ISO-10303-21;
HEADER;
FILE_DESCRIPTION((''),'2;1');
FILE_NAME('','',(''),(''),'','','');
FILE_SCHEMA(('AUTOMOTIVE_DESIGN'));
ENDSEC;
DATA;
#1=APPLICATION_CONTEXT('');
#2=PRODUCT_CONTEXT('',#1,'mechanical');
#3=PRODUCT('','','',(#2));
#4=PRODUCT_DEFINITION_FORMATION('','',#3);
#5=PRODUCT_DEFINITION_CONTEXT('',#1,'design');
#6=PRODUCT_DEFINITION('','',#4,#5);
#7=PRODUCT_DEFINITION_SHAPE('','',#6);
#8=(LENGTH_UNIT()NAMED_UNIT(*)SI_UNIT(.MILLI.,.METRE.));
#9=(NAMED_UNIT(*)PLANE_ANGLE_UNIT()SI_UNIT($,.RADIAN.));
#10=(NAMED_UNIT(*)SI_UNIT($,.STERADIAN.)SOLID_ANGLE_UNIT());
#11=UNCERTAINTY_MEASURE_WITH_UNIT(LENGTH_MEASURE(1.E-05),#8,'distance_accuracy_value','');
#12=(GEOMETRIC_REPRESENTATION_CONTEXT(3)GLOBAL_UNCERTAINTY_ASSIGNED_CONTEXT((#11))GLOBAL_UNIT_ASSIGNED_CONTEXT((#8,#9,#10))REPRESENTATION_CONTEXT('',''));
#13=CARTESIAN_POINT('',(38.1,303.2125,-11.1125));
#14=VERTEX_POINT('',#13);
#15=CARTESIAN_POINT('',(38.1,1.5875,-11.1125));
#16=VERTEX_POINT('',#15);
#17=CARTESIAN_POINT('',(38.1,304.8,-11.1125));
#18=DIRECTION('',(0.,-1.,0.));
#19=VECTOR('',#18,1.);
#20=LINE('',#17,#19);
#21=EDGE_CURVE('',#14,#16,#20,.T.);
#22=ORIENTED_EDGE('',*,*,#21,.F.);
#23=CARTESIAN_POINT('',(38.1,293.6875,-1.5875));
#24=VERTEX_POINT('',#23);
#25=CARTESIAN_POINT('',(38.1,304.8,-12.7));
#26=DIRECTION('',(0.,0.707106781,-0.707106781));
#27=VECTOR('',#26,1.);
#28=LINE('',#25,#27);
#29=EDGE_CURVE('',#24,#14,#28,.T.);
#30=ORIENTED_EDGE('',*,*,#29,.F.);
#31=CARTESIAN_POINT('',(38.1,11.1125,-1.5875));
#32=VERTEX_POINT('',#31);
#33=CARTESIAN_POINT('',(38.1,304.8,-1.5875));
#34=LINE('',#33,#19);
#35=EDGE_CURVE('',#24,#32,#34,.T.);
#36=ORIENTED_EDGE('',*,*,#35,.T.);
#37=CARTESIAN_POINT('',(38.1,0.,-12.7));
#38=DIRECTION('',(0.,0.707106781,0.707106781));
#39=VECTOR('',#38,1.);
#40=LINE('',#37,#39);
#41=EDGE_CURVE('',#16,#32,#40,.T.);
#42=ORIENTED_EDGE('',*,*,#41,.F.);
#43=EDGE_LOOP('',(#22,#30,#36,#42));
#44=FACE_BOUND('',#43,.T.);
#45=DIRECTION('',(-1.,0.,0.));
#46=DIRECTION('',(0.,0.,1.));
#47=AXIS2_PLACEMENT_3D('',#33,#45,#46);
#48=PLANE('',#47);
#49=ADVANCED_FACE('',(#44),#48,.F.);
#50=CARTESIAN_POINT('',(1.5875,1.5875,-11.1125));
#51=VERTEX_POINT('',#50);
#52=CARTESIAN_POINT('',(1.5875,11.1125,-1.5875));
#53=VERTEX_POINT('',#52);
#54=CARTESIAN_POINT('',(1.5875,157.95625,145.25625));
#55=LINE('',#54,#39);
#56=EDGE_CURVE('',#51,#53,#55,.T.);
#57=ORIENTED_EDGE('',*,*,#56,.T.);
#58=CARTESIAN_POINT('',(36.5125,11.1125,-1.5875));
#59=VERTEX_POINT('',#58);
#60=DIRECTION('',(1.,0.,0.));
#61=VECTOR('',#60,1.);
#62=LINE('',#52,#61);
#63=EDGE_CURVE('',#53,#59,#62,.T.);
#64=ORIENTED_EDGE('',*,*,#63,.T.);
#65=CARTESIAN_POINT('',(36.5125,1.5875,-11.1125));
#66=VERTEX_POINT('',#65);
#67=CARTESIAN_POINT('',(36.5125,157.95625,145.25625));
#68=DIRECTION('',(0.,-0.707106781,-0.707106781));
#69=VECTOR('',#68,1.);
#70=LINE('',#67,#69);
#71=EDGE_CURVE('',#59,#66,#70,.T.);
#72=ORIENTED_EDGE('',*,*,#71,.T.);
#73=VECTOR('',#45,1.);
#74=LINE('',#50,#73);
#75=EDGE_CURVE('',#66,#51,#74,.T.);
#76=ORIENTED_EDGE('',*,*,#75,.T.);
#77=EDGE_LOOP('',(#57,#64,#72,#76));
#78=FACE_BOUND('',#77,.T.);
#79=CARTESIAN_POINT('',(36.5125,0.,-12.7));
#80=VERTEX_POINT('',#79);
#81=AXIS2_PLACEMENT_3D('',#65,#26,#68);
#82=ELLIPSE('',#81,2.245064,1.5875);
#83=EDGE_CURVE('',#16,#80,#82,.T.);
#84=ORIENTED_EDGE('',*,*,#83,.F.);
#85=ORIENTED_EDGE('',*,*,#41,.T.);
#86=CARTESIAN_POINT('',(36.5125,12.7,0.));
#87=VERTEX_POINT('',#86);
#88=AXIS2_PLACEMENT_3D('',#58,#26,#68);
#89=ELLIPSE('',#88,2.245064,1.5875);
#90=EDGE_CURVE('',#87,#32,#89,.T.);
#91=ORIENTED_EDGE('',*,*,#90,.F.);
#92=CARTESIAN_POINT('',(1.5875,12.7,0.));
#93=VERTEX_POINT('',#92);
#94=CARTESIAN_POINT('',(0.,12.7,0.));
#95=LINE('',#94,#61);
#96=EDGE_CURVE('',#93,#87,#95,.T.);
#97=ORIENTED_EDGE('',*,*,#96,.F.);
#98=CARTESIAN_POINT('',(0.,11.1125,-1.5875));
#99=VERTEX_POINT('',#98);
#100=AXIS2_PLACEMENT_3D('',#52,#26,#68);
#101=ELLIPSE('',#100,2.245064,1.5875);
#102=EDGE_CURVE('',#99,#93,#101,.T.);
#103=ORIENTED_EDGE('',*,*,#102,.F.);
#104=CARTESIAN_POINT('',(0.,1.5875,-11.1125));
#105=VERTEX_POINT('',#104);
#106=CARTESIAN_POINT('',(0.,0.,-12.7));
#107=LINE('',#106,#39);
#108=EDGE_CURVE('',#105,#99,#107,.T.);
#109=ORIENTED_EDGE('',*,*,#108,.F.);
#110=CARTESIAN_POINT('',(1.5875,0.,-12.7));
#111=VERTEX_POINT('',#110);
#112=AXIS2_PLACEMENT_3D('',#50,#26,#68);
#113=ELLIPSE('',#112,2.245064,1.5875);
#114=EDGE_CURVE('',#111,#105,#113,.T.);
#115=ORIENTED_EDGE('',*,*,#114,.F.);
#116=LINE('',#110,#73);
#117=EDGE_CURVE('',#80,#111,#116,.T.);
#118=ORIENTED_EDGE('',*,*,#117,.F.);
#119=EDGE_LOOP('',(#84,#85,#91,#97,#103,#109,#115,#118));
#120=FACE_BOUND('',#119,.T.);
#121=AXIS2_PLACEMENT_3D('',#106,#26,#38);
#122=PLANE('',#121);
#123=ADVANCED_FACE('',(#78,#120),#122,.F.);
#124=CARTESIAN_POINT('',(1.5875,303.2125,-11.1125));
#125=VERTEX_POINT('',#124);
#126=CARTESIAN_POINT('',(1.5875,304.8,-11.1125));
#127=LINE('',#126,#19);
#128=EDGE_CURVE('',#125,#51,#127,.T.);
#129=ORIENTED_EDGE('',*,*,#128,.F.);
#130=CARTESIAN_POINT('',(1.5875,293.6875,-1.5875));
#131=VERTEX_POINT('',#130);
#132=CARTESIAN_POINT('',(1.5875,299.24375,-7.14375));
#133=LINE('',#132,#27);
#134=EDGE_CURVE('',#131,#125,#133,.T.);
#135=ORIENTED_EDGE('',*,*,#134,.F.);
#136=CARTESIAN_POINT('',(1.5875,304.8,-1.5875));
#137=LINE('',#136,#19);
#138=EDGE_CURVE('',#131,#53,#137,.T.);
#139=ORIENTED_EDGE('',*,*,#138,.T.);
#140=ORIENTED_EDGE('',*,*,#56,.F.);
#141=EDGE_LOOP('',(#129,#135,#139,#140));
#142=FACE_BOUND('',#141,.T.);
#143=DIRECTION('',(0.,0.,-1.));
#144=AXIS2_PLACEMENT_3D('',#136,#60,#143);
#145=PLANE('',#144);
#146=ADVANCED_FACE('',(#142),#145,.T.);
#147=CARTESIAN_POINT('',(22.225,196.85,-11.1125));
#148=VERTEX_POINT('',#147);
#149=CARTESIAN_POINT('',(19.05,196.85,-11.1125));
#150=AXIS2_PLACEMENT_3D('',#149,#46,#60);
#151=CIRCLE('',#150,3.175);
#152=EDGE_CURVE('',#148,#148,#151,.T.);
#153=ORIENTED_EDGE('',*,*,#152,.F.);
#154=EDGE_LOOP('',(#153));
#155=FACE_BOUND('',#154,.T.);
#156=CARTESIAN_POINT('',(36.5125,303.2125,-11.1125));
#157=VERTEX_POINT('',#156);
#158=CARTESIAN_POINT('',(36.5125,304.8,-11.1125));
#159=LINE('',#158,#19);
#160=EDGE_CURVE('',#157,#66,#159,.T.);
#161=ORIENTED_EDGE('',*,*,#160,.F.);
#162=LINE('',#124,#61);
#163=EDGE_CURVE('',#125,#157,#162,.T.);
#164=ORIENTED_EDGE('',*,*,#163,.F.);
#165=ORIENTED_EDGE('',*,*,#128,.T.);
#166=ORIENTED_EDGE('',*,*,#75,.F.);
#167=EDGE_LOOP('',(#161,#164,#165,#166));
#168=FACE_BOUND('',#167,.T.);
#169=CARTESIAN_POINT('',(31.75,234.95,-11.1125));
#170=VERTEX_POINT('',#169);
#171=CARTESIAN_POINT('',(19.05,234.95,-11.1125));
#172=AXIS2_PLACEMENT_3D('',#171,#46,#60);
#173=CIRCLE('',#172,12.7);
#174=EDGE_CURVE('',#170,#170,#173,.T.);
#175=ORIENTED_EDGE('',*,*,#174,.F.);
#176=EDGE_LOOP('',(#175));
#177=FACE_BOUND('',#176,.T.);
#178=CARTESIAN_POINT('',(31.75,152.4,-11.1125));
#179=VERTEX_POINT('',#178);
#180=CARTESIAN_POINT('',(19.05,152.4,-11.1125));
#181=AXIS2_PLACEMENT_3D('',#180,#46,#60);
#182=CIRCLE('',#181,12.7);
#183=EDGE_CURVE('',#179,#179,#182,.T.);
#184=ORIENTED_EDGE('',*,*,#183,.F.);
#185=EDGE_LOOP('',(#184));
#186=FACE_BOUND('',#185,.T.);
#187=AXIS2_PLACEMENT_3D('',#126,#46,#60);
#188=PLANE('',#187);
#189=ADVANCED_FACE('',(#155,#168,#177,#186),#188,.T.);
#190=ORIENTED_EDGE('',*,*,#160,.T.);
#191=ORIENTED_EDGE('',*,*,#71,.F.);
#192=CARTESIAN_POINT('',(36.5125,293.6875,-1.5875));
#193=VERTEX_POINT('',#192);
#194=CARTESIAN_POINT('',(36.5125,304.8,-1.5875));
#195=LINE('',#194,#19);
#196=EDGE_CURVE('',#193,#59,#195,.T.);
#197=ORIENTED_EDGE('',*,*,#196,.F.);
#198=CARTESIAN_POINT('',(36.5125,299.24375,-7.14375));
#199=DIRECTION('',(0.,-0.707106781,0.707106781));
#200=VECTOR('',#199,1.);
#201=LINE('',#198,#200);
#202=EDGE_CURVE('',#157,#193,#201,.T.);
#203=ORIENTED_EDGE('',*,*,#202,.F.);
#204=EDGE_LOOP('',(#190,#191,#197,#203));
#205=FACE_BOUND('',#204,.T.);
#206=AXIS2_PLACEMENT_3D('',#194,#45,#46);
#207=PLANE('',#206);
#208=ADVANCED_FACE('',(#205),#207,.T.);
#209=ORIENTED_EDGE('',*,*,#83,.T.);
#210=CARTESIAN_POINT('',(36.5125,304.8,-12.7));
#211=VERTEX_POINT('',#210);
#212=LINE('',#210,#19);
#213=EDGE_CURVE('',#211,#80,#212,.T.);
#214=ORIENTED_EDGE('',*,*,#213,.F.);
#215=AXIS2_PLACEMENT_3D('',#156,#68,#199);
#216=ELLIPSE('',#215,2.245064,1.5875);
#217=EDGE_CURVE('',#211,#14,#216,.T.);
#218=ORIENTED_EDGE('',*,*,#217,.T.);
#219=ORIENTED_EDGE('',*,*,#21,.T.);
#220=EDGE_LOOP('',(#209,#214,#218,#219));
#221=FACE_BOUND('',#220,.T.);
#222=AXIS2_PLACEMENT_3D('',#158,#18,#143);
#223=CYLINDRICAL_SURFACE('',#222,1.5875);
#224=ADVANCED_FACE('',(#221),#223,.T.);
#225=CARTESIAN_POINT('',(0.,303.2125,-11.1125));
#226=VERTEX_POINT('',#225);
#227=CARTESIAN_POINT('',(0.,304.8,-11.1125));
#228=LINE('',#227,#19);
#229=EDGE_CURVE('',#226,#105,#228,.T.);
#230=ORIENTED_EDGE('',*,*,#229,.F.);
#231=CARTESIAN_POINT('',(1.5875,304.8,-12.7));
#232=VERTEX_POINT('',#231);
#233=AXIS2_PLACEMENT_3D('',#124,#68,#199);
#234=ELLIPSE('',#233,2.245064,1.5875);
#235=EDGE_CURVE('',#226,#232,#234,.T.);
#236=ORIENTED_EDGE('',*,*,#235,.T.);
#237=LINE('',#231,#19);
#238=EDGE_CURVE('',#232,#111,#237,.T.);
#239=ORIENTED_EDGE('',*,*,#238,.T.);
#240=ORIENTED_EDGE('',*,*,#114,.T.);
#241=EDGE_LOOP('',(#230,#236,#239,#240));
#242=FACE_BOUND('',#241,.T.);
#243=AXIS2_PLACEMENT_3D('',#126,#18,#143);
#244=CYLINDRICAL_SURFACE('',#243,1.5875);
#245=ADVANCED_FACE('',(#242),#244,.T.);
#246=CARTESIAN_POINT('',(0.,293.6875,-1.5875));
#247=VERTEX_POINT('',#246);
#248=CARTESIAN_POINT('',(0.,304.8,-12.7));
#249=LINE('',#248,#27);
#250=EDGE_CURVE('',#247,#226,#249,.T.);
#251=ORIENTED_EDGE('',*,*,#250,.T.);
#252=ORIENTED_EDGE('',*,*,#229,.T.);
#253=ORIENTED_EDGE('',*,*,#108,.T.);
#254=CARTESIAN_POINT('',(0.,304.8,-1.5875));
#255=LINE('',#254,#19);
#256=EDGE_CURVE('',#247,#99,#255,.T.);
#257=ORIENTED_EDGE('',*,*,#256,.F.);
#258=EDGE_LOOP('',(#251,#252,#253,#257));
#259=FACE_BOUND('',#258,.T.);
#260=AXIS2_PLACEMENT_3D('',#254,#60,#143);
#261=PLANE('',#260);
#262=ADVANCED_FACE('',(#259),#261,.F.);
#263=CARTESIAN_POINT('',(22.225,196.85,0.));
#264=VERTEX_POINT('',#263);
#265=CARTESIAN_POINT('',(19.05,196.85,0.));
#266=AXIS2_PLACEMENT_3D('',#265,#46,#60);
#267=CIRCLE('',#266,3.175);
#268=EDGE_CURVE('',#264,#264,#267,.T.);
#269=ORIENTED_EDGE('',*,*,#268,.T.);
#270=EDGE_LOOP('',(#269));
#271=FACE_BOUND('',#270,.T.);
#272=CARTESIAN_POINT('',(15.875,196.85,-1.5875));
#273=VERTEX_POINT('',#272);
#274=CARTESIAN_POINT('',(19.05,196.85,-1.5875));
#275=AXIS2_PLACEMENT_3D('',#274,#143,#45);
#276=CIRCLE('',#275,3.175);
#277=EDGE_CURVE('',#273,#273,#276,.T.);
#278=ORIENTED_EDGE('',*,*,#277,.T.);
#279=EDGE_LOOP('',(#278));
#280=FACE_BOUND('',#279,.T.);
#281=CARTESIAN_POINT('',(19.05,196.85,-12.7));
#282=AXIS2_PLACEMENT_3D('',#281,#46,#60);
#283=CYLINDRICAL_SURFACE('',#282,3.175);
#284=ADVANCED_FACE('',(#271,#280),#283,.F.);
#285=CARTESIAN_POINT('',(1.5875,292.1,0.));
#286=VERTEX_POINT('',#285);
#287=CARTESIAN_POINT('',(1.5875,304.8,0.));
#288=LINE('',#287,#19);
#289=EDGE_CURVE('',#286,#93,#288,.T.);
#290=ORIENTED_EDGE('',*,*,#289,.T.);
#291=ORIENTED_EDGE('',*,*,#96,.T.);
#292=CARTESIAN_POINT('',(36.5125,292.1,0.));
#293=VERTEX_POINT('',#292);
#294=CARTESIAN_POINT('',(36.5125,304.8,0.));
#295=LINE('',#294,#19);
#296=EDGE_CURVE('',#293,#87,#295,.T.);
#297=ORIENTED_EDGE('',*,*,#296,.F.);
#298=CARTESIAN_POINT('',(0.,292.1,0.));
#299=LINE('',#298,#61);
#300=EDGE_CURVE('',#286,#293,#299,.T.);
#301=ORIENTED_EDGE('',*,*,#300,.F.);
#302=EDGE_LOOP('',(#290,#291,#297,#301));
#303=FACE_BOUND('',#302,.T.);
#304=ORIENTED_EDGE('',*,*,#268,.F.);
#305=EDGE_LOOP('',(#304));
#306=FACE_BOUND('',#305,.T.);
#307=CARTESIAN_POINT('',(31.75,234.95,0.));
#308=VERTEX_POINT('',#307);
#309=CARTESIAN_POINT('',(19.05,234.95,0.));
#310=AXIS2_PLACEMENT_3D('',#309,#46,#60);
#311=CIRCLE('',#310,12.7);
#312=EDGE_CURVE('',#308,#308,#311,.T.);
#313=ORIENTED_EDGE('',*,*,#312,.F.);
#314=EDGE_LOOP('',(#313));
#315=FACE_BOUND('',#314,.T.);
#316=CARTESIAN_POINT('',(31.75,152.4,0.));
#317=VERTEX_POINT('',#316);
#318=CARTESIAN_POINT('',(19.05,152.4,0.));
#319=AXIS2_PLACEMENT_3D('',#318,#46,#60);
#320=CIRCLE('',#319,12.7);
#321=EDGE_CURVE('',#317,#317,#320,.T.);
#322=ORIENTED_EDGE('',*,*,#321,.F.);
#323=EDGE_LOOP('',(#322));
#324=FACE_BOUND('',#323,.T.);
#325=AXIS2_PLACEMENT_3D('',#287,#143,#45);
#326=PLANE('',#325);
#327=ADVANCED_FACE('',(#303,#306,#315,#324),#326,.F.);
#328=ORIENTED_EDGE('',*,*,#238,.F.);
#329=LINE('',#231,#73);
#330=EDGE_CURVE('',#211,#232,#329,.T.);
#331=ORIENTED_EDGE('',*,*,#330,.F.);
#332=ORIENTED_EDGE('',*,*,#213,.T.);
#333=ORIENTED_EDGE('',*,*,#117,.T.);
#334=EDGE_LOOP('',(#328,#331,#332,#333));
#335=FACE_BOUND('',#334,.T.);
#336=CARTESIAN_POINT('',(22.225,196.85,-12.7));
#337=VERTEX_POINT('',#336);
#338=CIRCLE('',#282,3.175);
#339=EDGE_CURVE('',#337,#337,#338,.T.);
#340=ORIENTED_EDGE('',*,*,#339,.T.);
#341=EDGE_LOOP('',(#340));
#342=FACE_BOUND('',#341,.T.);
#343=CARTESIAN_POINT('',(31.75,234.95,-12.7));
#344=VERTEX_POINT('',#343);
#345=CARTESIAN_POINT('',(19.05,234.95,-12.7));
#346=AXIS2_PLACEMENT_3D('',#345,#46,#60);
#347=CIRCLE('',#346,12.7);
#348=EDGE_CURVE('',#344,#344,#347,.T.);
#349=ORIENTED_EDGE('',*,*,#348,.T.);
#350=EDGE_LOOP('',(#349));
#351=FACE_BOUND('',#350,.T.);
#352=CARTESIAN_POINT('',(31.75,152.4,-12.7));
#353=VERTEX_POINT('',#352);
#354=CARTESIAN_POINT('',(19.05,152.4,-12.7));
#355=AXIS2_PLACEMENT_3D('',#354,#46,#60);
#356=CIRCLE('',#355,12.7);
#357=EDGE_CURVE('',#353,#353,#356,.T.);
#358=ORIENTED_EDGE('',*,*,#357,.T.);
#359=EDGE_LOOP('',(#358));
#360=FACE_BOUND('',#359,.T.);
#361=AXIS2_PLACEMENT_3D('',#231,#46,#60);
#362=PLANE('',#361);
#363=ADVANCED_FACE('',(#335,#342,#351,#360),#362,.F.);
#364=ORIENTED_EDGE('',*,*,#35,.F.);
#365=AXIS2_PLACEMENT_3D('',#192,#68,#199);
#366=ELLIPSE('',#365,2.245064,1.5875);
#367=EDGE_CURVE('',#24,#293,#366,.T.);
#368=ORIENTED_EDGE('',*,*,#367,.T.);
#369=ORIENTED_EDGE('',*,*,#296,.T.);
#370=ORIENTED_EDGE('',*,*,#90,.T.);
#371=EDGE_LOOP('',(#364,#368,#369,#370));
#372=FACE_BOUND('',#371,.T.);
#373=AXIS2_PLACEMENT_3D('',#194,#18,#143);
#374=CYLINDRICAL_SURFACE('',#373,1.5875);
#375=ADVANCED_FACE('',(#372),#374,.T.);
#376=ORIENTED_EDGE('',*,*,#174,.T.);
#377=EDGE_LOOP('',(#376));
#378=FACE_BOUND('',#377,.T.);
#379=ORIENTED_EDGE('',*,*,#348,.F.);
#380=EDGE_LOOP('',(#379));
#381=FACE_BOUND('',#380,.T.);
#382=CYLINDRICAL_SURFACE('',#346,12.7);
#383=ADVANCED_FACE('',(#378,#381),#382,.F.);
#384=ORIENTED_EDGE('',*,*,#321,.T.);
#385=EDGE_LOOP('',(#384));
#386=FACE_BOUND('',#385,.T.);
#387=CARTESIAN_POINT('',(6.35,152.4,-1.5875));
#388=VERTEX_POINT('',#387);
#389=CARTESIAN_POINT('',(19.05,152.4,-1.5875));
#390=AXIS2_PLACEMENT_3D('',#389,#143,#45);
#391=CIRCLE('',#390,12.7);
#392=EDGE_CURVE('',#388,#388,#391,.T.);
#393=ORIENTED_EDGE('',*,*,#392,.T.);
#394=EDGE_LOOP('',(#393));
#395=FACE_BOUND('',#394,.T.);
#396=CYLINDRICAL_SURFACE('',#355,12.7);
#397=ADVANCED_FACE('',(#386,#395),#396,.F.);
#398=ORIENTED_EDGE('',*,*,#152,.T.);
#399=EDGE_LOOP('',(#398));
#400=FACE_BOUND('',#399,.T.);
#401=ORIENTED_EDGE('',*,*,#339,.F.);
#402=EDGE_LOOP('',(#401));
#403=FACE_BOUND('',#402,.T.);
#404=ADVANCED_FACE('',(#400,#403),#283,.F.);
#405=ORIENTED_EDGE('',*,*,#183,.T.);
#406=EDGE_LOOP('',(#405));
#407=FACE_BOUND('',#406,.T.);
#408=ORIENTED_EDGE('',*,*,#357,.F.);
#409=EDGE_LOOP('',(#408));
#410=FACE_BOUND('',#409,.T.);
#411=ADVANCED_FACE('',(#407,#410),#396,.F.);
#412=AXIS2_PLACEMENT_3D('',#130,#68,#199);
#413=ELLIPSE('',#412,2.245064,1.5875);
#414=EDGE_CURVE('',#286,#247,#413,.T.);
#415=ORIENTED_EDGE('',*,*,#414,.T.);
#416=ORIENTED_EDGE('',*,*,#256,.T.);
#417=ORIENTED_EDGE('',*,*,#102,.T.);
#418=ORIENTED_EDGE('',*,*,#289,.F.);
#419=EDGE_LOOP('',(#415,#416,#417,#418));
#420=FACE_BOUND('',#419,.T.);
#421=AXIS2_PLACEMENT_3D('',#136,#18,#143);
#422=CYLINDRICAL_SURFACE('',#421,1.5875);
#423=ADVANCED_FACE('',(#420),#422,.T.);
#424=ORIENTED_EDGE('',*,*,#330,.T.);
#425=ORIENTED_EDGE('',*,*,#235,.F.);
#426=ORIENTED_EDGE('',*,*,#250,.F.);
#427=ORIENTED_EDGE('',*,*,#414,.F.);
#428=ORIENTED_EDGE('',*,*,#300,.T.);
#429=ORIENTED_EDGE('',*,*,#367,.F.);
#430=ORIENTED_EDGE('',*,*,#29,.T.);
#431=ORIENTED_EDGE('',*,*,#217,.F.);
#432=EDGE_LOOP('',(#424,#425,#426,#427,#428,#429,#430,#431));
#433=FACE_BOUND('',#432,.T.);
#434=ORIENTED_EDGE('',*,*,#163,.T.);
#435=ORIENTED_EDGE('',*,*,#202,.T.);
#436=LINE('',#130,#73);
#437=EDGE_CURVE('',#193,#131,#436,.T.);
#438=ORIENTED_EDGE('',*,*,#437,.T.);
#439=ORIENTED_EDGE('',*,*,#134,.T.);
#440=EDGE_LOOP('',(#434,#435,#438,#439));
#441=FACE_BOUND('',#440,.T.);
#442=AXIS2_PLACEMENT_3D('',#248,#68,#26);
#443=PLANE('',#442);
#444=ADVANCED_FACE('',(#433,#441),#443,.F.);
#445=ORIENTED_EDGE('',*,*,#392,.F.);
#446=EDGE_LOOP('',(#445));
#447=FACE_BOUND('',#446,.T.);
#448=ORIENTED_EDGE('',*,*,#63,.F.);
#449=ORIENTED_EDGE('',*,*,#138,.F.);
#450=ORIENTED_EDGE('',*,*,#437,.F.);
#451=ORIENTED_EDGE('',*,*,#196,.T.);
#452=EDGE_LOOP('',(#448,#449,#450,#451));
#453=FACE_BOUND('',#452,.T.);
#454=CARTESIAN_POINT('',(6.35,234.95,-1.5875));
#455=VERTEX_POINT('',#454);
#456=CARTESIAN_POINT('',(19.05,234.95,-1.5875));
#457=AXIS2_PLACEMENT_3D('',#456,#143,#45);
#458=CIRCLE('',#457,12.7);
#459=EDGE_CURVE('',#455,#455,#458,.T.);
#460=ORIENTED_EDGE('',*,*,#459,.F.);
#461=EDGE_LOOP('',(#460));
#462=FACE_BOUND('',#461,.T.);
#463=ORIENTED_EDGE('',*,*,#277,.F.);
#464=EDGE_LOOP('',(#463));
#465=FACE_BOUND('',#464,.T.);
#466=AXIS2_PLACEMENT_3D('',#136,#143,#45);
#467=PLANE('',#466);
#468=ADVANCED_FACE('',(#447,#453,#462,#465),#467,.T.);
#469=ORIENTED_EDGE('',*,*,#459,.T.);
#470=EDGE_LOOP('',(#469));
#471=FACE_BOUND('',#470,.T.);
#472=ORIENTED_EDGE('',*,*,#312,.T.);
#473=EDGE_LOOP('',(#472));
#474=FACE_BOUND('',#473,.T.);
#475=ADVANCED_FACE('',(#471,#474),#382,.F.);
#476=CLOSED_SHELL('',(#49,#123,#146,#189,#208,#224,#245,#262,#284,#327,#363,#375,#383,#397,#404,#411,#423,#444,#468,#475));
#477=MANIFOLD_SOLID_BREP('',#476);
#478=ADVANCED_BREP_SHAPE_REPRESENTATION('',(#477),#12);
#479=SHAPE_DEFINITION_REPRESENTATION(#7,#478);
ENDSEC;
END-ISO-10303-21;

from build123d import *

# Parameters (mm, degrees)
SKETCH1_W           = 34.925
SKETCH1_H           = 9.525
BOSS_EXTRUDE1_DEPTH = 304.8
SKETCH2_R           = 12.7
SKETCH2_R_2         = 3.175
CUT_EXTRUDE1_DEPTH  = 13.7
CUT_EXTRUDE2_DEPTH  = 39.1


with BuildPart() as part:
    # Sketch1 → Boss-Extrude1 (new body)
    with BuildSketch(Plane(origin=(0, 0, 0), x_dir=(1, 0, 0), z_dir=(0, 1, 0))):
        with BuildLine():
            Line((1.5875, 0), (36.5125, 0))
            ThreePointArc((36.5125, 0), (37.635032015, 0.464967985), (38.1, 1.5875))
            Line((38.1, 1.5875), (38.1, 11.1125))
            ThreePointArc((38.1, 11.1125), (37.635032015, 12.235032015), (36.5125, 12.7))
            Line((36.5125, 12.7), (1.5875, 12.7))
            ThreePointArc((1.5875, 12.7), (0.464967985, 12.235032015), (0, 11.1125))
            Line((0, 11.1125), (0, 1.5875))
            ThreePointArc((0, 1.5875), (0.464967985, 0.464967985), (1.5875, 0))
        make_face()
        with Locations((19.05, 6.35)):
            Rectangle(SKETCH1_W, SKETCH1_H, mode=Mode.SUBTRACT)
    extrude(amount=BOSS_EXTRUDE1_DEPTH)

    # Sketch2 → Cut-Extrude1 (cut, through all)
    with BuildSketch(Plane.XY):
        with Locations((19.05, 152.4)):
            Circle(SKETCH2_R)
        with Locations((19.05, 196.85)):
            Circle(SKETCH2_R_2)
        with Locations((19.05, 234.95)):
            Circle(SKETCH2_R)
    extrude(amount=-CUT_EXTRUDE1_DEPTH, mode=Mode.SUBTRACT)

    # Sketch3 → Cut-Extrude2 (cut, through all)
    with BuildSketch(Plane(origin=(38.1, 0, 0), x_dir=(0, 0, -1), z_dir=(1, 0, 0))):
        Polygon((0, 0), (12.7, 0), (0, 12.7), align=None)
        Polygon((0, 304.8), (12.7, 304.8), (0, 292.1), align=None)
    extrude(amount=-CUT_EXTRUDE2_DEPTH, mode=Mode.SUBTRACT)


solid = part.part
